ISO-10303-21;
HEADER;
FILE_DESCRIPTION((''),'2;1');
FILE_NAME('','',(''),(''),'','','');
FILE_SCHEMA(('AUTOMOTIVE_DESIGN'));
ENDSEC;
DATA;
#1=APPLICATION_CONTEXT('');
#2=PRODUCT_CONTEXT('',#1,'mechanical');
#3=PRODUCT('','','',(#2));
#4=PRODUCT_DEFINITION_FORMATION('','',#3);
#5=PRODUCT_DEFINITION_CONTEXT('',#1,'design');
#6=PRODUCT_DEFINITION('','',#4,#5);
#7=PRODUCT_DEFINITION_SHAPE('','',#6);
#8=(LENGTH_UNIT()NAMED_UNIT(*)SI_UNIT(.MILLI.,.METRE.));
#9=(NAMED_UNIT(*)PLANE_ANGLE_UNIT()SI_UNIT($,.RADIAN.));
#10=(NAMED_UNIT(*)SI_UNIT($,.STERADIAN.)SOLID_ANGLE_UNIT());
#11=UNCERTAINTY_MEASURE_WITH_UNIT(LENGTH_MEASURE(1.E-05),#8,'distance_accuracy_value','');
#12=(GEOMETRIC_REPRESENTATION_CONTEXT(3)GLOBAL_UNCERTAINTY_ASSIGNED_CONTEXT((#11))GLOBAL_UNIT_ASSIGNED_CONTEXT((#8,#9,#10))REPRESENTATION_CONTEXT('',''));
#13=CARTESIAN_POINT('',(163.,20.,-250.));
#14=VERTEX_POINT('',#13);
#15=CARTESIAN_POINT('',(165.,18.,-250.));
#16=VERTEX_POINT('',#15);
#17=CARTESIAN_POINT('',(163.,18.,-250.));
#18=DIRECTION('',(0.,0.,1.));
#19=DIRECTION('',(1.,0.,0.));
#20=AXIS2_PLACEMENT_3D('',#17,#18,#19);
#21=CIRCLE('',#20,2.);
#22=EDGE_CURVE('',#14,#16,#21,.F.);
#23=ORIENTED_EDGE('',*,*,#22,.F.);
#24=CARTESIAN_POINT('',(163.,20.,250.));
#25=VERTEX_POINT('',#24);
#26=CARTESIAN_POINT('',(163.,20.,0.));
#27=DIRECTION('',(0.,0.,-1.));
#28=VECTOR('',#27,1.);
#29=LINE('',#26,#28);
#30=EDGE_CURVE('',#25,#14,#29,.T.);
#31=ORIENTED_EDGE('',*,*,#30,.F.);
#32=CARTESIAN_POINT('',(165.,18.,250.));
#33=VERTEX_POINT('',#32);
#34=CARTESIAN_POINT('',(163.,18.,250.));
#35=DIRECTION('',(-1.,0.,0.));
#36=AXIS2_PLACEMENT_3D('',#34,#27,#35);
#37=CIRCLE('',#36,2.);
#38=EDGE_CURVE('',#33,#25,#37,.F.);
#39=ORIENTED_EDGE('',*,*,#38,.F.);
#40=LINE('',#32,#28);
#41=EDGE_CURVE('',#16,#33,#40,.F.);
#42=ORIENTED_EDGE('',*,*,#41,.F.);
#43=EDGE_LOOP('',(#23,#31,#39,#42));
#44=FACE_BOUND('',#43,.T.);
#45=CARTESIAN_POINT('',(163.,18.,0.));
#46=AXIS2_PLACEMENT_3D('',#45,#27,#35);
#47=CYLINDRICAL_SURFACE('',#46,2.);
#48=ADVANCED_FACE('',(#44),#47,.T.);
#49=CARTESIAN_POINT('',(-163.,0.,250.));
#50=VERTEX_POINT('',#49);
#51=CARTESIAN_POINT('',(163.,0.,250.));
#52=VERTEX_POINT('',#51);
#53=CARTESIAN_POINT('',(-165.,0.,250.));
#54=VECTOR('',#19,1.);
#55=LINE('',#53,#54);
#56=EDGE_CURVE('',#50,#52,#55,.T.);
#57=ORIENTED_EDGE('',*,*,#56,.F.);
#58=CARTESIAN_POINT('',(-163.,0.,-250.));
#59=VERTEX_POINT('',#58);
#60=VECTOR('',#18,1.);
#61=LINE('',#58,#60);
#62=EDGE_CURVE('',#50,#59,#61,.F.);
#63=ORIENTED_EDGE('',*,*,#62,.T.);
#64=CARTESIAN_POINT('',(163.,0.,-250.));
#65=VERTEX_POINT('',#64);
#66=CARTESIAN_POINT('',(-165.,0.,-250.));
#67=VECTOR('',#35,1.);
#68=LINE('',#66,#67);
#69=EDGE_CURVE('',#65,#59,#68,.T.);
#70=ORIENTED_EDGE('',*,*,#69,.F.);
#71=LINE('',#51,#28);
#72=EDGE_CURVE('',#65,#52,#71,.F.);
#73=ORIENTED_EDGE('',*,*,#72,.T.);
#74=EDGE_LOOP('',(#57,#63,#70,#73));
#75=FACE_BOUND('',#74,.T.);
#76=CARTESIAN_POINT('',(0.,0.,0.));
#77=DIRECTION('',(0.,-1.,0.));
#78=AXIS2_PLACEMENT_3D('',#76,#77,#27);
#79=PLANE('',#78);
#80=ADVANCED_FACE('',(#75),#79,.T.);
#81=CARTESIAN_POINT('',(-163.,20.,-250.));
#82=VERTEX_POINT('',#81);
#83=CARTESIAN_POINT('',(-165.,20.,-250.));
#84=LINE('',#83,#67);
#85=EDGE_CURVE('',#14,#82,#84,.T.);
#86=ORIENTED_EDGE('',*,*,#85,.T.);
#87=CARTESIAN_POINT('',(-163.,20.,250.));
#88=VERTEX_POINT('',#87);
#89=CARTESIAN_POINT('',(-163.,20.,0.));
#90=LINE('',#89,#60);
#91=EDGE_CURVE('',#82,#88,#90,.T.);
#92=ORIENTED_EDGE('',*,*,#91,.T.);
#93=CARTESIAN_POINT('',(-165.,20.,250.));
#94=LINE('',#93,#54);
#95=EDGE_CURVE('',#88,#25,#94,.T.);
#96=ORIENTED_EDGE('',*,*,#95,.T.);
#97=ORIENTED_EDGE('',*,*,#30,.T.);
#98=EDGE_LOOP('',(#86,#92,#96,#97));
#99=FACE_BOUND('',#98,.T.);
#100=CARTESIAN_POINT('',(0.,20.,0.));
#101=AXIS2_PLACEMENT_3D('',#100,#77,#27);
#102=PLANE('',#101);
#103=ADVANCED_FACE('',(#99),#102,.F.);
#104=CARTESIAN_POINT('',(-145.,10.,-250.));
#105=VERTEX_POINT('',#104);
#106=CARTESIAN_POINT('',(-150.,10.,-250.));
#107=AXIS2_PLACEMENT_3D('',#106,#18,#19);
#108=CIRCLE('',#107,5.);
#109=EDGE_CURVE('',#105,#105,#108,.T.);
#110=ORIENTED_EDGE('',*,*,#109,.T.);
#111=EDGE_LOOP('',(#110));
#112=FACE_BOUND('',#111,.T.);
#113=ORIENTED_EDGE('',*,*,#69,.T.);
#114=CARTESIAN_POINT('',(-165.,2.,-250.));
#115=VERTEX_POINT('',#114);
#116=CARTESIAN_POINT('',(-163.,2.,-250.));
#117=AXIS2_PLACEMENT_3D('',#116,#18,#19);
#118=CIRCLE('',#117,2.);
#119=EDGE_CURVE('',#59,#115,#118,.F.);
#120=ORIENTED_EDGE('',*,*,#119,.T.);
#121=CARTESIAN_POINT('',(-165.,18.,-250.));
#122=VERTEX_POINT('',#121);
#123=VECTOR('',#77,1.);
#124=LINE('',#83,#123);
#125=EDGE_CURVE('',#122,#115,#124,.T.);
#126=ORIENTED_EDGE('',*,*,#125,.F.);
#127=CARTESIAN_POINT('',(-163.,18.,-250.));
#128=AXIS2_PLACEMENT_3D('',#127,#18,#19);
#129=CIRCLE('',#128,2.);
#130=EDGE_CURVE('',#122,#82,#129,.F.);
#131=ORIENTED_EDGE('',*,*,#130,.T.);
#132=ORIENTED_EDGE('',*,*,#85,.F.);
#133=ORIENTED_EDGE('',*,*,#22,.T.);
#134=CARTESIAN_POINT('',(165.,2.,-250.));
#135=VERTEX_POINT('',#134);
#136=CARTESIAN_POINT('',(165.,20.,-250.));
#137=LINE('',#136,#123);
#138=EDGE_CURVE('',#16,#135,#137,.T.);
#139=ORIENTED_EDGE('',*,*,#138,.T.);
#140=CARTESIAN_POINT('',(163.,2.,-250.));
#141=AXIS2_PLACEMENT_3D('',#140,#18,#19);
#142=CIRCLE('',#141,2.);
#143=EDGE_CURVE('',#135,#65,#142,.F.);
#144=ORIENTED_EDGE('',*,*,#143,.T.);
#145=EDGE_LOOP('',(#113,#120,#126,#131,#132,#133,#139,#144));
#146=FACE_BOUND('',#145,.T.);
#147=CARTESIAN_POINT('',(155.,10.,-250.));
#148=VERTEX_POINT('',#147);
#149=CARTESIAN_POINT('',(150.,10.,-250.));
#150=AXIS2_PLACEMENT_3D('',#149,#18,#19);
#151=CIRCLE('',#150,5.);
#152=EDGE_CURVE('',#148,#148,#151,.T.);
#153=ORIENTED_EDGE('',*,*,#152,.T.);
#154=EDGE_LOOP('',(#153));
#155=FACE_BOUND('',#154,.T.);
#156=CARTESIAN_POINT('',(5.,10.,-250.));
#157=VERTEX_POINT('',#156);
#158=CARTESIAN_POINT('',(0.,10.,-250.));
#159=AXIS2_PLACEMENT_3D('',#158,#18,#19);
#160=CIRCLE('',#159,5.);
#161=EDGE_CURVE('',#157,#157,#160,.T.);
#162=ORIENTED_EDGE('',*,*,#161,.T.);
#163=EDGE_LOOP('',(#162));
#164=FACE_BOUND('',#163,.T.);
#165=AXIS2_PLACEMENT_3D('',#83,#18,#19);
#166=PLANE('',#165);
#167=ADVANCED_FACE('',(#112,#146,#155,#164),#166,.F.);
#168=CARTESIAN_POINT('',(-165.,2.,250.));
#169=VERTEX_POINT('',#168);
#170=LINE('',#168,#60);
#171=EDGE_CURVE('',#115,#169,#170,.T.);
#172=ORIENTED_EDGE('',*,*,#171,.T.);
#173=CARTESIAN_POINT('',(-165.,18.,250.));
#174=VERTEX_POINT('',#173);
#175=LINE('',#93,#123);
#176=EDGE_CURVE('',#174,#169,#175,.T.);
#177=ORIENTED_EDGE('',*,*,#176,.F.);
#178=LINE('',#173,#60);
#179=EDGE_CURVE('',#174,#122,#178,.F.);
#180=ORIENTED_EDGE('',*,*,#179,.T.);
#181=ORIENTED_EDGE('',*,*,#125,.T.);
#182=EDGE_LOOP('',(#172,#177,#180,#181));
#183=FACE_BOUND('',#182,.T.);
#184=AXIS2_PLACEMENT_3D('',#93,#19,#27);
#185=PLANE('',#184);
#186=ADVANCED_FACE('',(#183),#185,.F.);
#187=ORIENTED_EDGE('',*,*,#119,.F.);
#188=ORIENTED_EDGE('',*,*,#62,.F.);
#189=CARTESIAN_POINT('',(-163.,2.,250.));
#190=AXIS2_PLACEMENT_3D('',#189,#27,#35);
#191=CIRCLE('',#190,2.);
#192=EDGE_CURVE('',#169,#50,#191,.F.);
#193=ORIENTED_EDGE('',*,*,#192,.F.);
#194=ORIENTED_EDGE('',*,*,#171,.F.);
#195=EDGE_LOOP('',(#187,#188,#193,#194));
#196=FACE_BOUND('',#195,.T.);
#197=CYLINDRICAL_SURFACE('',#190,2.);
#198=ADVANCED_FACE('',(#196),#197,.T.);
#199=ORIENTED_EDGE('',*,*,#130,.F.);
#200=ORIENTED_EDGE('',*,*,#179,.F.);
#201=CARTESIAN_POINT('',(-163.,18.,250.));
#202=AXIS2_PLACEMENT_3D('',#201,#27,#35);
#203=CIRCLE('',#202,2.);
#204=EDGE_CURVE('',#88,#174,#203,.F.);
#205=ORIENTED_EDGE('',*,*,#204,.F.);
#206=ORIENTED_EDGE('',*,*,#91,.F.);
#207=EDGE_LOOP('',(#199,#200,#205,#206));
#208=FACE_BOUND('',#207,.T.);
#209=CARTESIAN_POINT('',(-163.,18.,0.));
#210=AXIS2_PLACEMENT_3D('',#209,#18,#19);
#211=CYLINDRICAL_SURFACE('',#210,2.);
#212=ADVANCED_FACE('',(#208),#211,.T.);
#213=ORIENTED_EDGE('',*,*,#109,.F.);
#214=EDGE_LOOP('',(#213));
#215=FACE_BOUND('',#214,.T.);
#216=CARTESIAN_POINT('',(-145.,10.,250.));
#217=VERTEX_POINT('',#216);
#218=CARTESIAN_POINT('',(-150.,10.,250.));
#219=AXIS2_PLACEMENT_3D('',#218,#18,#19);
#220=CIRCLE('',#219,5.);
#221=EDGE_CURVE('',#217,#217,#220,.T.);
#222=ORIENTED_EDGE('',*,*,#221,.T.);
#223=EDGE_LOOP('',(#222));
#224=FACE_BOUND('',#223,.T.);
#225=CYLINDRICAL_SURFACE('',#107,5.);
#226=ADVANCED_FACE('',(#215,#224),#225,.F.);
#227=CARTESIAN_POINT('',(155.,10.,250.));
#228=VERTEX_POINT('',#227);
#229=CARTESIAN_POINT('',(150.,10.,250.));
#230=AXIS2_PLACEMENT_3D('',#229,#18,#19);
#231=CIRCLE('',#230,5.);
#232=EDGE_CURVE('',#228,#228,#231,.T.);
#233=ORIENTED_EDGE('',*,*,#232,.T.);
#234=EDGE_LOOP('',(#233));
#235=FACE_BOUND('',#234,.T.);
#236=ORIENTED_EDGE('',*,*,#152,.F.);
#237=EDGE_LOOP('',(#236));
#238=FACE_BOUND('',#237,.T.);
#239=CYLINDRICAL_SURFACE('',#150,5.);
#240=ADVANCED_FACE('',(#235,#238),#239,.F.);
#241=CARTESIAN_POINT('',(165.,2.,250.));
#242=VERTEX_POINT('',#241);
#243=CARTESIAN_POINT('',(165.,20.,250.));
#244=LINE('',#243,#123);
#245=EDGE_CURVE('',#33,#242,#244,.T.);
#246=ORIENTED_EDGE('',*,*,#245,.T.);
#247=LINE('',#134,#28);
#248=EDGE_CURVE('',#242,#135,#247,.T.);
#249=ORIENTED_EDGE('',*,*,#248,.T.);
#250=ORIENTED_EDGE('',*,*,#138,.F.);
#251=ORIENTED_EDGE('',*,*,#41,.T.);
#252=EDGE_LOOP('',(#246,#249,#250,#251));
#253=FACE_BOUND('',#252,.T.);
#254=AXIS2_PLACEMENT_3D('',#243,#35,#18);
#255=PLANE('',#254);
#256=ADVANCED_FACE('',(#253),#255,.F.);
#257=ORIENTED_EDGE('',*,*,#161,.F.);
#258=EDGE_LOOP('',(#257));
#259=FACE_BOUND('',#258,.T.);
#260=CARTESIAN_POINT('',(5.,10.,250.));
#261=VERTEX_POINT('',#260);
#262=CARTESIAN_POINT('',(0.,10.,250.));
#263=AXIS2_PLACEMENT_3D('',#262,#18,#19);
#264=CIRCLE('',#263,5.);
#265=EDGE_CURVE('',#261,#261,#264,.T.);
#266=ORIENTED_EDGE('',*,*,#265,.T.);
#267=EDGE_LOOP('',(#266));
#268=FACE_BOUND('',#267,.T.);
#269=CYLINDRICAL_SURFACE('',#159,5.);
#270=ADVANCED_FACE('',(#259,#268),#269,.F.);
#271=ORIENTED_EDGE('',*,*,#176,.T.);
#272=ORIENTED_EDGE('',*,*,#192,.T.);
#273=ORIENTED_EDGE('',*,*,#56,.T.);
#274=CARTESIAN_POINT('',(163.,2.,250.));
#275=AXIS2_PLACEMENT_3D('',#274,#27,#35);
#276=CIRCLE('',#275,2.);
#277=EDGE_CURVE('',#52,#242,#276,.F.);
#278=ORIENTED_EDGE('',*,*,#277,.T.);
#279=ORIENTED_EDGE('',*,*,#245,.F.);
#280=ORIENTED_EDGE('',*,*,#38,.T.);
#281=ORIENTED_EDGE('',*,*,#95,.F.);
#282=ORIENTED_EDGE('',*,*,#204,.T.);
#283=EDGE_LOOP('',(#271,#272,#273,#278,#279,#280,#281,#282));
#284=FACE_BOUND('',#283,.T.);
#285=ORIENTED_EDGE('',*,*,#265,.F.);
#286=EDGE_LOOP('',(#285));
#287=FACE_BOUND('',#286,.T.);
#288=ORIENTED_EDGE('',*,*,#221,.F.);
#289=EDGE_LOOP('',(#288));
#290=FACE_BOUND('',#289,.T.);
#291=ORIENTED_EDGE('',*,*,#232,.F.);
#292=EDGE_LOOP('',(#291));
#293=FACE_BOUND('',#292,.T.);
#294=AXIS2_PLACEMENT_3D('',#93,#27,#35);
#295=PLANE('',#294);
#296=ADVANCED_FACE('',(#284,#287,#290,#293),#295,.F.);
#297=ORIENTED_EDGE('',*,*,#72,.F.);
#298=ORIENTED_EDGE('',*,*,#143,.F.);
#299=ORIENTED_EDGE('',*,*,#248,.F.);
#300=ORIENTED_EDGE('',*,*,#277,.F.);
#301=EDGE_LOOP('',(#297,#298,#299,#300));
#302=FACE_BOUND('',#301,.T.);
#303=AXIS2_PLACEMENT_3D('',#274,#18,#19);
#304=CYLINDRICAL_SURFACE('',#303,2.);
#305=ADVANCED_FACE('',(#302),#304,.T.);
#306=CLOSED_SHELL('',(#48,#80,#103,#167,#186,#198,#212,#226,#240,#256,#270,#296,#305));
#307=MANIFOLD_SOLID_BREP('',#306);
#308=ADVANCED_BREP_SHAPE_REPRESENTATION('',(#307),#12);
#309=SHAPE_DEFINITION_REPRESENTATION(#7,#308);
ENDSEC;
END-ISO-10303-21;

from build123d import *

# Parameters (mm, degrees)
SKETCH1_W           = 330
SKETCH1_H           = 500
BOSS_EXTRUDE1_DEPTH = 20
SKETCH2_R           = 5
CUT_EXTRUDE1_DEPTH  = 527.901319034
FILLET1_R           = 2


with BuildPart() as part:
    # Sketch1 → Boss-Extrude1 (new body)
    with BuildSketch(Plane(origin=(0, 0, 0), x_dir=(1, 0, 0), z_dir=(0, 1, 0))):
        Rectangle(SKETCH1_W, SKETCH1_H)
    extrude(amount=BOSS_EXTRUDE1_DEPTH)

    # Sketch2 → Cut-Extrude1 (cut, through all)
    with BuildSketch(Plane.XY.offset(250)):
        with Locations((0, 10)):
            Circle(SKETCH2_R)
        with Locations((-150, 10)):
            Circle(SKETCH2_R)
        with Locations((150, 10)):
            Circle(SKETCH2_R)
    extrude(amount=-CUT_EXTRUDE1_DEPTH, mode=Mode.SUBTRACT)

    # Fillet1
    fillet1_edges = [part.edges().sort_by_distance(p)[0] for p in [
        (-165, 20, 0),
        (165, 20, 0),
        (-165, 0, 0),
        (165, 0, 0),
    ]]
    fillet(fillet1_edges, radius=FILLET1_R)


solid = part.part
